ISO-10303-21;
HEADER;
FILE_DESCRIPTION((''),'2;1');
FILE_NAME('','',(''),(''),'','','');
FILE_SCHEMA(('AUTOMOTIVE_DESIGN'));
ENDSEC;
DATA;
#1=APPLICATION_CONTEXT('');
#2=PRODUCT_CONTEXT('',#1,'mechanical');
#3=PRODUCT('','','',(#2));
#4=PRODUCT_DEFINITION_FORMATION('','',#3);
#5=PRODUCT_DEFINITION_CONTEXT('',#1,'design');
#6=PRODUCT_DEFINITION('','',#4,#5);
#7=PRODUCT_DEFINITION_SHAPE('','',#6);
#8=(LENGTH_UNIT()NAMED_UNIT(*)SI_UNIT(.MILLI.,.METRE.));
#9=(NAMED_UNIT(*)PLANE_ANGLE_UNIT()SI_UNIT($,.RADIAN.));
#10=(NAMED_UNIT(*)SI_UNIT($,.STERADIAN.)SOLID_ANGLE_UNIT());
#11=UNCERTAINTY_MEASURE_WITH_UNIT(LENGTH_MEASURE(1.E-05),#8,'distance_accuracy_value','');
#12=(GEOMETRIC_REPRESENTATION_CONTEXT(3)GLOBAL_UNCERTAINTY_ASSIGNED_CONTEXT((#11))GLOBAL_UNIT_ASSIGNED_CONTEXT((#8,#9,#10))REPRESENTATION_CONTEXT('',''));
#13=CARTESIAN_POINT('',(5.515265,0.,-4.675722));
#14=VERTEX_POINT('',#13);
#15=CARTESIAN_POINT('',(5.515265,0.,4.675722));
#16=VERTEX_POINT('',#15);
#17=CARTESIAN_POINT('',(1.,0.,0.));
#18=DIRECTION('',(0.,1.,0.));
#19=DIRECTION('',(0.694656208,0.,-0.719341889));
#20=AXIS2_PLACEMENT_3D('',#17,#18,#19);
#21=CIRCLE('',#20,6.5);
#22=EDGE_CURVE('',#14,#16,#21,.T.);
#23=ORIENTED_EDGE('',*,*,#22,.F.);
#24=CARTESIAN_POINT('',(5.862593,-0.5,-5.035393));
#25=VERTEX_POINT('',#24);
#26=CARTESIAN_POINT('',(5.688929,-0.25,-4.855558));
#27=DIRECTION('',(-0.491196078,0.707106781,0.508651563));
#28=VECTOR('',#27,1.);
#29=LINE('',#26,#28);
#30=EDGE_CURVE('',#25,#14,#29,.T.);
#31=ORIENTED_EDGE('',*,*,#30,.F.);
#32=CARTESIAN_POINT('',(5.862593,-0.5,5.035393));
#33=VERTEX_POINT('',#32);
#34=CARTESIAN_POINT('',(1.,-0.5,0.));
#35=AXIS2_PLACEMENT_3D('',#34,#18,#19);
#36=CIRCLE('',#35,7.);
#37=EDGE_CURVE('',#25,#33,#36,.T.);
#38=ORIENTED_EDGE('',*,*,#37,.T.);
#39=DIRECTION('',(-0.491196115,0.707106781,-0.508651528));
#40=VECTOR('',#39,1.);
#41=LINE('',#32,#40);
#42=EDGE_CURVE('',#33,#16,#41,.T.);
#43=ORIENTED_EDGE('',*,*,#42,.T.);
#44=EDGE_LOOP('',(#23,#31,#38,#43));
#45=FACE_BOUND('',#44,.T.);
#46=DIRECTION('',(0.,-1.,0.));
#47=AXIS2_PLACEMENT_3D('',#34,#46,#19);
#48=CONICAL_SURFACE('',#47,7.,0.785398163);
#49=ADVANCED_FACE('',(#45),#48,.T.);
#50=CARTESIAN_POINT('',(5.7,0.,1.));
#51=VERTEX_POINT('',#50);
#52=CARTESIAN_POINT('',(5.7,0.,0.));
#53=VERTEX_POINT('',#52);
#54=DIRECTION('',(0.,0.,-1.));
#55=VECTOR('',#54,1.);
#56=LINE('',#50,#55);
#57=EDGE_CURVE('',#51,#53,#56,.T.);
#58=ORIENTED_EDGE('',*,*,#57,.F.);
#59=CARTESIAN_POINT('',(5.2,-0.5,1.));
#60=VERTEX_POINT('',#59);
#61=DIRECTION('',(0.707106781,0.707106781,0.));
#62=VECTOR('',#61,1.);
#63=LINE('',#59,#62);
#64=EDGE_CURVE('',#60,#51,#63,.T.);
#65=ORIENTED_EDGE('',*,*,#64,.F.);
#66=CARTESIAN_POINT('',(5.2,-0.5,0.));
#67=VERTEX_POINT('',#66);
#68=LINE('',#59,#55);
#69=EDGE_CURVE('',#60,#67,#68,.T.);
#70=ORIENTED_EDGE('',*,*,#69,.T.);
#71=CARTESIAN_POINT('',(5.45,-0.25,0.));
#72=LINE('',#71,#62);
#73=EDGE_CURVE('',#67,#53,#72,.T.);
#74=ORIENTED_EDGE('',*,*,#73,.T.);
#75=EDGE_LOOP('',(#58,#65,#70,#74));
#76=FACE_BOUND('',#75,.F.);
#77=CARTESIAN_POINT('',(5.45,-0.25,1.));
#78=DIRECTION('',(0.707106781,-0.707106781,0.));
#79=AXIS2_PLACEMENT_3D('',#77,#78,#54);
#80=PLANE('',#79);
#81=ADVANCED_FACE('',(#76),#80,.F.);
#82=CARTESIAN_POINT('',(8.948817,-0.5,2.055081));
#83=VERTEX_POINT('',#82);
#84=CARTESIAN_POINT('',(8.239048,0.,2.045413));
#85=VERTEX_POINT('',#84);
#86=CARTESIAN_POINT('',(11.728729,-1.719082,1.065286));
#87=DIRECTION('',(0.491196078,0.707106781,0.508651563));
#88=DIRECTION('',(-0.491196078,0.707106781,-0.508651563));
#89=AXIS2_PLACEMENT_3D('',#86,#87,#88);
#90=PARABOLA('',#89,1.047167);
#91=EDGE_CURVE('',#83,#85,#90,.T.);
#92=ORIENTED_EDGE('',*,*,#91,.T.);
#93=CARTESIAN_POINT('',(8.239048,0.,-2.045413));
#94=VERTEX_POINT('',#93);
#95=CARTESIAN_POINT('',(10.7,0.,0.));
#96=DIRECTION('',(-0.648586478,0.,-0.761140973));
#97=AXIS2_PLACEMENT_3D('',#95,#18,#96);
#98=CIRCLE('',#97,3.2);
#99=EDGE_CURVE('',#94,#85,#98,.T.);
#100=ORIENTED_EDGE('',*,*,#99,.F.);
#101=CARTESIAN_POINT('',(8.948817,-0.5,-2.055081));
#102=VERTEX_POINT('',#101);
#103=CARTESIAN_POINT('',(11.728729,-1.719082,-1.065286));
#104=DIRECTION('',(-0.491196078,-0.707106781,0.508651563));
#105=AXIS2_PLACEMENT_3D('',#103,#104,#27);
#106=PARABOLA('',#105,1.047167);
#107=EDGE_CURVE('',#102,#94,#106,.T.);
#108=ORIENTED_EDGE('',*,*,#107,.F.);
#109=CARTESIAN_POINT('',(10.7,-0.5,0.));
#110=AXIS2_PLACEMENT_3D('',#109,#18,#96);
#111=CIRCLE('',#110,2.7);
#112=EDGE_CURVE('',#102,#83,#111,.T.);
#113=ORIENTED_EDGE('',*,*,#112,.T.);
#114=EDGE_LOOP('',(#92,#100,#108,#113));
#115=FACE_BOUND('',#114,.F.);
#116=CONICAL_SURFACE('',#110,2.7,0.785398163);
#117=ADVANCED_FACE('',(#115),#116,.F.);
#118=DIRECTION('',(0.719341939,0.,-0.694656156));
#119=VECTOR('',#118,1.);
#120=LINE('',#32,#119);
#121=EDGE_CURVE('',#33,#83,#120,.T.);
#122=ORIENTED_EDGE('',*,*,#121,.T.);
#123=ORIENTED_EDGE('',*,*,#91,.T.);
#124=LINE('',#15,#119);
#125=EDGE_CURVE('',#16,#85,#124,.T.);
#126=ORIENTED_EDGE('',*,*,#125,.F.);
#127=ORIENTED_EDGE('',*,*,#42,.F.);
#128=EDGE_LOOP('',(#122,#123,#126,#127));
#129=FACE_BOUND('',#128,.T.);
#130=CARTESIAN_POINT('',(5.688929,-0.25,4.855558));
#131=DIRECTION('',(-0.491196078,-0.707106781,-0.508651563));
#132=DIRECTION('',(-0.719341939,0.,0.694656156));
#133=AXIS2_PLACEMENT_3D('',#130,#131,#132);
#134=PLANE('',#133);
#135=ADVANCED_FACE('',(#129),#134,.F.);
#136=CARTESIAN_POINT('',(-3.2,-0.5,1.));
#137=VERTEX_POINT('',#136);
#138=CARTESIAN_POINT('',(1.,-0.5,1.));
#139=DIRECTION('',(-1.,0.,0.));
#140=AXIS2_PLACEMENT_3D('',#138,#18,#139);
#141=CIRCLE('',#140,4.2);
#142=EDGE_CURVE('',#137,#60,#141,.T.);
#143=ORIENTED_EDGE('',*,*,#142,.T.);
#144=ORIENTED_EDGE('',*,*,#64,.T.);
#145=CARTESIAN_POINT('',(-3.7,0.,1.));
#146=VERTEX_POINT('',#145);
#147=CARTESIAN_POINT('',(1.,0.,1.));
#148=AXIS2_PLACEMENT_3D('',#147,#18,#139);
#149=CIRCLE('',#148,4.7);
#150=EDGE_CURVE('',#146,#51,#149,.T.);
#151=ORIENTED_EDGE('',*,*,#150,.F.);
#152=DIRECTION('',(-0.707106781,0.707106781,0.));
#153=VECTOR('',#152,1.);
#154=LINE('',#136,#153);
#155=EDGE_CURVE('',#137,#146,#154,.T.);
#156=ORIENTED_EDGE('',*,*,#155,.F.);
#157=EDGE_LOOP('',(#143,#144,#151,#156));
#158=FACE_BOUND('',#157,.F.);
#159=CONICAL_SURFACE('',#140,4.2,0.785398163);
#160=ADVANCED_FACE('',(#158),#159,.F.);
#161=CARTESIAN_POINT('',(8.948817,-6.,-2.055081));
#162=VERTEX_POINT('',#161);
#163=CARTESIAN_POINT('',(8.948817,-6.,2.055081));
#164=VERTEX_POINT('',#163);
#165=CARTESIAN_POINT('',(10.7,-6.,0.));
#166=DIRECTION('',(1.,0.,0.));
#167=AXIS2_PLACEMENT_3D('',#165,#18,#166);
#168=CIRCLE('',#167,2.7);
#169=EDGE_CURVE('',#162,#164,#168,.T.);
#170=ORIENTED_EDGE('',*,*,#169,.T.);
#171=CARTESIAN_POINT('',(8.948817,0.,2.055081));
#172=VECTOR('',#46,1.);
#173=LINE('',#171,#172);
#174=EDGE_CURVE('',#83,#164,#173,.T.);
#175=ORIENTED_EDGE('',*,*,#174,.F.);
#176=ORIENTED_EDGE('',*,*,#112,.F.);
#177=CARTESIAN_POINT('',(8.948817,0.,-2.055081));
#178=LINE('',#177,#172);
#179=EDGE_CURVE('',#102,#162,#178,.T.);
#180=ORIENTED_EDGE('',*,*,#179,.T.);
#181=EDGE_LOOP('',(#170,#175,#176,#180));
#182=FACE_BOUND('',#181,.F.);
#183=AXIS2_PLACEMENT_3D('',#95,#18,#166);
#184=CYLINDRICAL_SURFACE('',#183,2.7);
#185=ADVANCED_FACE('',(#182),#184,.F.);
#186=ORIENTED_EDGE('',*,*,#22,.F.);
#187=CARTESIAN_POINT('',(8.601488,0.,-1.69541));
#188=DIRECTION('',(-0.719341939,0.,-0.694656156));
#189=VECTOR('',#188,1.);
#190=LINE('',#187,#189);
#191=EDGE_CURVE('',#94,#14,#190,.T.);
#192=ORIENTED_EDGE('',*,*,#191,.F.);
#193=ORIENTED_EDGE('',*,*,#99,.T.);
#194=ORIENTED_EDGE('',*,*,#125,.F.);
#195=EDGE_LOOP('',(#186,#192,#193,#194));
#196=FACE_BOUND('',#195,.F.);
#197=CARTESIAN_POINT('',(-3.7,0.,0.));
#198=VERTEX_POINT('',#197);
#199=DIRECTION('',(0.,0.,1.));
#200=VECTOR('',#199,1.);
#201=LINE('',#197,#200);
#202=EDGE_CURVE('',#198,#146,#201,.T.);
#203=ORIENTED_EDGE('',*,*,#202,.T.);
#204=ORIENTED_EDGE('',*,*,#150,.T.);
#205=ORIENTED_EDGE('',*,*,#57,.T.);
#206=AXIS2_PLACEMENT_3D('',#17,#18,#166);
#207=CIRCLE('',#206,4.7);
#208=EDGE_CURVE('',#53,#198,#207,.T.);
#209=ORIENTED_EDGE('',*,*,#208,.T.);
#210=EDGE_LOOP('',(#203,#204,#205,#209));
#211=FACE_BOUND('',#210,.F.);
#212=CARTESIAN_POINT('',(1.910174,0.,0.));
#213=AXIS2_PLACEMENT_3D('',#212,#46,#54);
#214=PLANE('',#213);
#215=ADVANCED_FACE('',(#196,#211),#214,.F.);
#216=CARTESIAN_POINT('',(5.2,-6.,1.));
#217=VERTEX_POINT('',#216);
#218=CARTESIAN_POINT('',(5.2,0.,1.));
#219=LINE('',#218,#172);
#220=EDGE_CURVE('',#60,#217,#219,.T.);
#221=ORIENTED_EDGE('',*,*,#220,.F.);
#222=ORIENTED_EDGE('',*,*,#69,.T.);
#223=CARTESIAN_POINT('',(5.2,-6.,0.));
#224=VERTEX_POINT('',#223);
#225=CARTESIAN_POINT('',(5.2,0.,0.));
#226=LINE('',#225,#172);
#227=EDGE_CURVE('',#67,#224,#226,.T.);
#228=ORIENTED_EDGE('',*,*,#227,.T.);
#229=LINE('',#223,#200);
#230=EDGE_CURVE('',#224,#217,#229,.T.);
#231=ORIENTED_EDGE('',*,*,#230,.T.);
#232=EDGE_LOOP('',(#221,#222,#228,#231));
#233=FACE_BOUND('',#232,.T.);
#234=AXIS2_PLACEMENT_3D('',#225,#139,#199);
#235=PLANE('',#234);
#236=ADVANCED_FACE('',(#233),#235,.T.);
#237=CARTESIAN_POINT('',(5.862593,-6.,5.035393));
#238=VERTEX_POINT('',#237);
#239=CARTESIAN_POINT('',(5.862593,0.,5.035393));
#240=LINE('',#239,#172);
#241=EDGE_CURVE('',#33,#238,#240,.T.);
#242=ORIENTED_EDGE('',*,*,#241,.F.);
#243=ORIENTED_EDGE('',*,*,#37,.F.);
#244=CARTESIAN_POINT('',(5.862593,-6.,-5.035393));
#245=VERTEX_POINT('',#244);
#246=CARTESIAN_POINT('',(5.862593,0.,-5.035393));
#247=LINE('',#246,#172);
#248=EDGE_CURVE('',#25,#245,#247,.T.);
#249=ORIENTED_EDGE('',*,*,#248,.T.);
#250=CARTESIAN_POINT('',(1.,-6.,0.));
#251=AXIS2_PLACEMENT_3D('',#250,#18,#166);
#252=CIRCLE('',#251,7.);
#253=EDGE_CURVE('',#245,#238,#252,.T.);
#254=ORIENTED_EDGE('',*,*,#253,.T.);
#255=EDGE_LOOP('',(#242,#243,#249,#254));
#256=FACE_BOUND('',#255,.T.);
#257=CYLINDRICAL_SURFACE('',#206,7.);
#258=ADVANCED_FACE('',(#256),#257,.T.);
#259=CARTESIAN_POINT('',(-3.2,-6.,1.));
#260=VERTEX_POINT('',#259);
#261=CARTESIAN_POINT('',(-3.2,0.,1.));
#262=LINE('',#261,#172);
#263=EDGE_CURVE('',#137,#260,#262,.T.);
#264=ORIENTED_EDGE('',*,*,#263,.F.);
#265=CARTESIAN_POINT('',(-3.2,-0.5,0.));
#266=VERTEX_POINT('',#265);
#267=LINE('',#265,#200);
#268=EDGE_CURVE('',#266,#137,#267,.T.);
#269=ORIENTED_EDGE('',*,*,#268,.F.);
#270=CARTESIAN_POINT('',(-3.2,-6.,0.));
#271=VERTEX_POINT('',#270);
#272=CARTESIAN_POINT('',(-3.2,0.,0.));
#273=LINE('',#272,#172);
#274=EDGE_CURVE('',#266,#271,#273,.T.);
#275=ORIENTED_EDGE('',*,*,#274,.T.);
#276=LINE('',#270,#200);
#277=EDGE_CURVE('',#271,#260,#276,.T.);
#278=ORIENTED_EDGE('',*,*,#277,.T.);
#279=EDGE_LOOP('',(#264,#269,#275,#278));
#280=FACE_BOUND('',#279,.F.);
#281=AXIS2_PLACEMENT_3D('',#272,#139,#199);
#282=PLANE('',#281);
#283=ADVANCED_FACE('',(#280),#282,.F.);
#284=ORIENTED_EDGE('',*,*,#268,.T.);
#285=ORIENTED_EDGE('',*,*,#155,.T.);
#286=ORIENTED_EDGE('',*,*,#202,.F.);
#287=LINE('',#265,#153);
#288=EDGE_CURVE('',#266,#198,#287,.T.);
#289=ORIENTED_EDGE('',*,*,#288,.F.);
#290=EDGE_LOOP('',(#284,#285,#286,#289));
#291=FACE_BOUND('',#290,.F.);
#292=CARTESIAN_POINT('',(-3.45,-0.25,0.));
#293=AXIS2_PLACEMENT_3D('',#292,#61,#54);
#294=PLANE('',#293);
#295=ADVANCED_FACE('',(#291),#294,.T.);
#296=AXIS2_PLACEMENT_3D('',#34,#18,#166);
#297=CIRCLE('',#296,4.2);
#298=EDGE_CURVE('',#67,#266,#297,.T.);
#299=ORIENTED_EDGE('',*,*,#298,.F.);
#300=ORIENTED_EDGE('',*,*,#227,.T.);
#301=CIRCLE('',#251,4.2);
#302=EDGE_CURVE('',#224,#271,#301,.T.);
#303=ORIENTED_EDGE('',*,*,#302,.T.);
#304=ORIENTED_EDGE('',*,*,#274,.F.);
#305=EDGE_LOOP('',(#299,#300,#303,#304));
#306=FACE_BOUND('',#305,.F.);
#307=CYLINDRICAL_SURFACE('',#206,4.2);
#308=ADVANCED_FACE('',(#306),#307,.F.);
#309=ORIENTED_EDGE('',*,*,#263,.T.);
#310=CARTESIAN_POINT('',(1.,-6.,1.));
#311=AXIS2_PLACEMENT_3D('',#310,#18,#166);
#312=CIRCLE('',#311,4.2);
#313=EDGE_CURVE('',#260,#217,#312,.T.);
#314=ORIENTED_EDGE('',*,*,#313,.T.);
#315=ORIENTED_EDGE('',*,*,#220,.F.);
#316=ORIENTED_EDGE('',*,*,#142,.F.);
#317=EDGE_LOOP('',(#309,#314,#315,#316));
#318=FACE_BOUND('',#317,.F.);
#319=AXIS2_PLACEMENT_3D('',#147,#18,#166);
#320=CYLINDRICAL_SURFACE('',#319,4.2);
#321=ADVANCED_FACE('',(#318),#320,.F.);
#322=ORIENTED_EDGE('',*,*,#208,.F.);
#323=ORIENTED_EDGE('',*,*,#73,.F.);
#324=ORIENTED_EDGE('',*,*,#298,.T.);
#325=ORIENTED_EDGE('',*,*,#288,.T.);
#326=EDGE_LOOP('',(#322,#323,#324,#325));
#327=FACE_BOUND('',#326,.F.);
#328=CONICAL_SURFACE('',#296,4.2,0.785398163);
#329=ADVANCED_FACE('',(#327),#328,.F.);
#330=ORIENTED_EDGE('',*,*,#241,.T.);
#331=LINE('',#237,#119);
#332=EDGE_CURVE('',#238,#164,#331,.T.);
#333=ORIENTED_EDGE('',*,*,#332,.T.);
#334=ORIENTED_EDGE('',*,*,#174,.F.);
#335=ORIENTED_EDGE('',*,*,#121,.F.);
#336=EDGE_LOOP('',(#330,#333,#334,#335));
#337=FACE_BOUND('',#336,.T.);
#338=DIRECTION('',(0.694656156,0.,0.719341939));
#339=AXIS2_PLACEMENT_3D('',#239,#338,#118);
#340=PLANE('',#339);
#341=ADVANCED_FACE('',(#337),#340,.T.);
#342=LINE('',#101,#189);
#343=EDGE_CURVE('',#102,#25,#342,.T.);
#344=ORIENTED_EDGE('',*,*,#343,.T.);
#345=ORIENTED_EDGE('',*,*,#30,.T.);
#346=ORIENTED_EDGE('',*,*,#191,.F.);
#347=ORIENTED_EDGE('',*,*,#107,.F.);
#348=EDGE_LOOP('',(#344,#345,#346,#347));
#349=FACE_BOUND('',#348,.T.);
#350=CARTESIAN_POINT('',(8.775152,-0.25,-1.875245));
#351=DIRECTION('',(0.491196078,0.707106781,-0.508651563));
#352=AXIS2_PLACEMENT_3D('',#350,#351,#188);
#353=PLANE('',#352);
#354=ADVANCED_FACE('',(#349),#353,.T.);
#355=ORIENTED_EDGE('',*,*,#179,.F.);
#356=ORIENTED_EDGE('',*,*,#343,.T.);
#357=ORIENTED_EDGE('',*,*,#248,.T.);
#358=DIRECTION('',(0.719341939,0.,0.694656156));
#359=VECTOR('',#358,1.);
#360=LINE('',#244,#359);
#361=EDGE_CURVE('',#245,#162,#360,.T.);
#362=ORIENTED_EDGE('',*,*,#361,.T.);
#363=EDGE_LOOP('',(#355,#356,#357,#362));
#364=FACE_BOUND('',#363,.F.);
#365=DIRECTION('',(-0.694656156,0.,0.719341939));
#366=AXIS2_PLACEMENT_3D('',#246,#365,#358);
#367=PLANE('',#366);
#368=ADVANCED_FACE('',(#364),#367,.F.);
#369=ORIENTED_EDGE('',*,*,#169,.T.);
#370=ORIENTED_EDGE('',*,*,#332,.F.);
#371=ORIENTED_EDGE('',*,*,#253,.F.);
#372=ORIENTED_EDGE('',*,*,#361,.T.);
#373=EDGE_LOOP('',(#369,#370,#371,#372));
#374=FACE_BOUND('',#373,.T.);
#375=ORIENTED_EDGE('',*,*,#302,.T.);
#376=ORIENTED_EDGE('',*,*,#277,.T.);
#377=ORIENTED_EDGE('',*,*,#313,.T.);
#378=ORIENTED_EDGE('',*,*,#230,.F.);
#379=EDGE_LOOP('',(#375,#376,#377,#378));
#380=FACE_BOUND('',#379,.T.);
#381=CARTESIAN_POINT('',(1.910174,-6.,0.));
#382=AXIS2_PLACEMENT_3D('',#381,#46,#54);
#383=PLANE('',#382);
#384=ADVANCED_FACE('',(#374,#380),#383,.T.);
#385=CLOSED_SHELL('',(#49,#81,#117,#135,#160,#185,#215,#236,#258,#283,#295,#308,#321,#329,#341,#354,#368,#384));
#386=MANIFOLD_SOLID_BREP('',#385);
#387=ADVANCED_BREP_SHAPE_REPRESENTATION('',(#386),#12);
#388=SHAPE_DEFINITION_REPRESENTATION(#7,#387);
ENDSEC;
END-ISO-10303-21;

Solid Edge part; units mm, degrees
sketch "Sketch1" plane through (0, 0, 0) normal (0, -1, 0) x (1, 0, 0)
  line L0 (5.8626, -5.0354) -> (8.9488, -2.0551)
  line L1 (5.8626, 5.0354) -> (8.9488, 2.0551)
  arc A0 (8.9488, -2.0551) -> (8.9488, 2.0551) centre (10.7, 0) cw
  arc A1 (5.8626, -5.0354) -> (5.8626, 5.0354) centre (1, 0) cw
  line L2 (-3.2, 0) -> (-3.2, 1)
  line L3 (5.2, 0) -> (5.2, 1)
  arc A2 (5.2, 0) -> (-3.2, 0) centre (1, 0) cw
  arc A3 (-3.2, 1) -> (5.2, 1) centre (1, 1) cw
extrude "Protrusion1" add sketch "Sketch1" along normal blind 6
extrude "ExtrudedCutout_1" [suppressed]
chamfer "Chamfer_1" [suppressed]
chamfer "Chamfer_2" distance 0.5 angle 45 8 edges at (1, 0, 5.2) (5.2, 0, 0.5) (1, 0, -4.2) (-3.2, 0, 0.5) (-6, 0, 0) (7.4057, 0, -3.5452) (7.4057, 0, 3.5452) (8, 0, 0)
